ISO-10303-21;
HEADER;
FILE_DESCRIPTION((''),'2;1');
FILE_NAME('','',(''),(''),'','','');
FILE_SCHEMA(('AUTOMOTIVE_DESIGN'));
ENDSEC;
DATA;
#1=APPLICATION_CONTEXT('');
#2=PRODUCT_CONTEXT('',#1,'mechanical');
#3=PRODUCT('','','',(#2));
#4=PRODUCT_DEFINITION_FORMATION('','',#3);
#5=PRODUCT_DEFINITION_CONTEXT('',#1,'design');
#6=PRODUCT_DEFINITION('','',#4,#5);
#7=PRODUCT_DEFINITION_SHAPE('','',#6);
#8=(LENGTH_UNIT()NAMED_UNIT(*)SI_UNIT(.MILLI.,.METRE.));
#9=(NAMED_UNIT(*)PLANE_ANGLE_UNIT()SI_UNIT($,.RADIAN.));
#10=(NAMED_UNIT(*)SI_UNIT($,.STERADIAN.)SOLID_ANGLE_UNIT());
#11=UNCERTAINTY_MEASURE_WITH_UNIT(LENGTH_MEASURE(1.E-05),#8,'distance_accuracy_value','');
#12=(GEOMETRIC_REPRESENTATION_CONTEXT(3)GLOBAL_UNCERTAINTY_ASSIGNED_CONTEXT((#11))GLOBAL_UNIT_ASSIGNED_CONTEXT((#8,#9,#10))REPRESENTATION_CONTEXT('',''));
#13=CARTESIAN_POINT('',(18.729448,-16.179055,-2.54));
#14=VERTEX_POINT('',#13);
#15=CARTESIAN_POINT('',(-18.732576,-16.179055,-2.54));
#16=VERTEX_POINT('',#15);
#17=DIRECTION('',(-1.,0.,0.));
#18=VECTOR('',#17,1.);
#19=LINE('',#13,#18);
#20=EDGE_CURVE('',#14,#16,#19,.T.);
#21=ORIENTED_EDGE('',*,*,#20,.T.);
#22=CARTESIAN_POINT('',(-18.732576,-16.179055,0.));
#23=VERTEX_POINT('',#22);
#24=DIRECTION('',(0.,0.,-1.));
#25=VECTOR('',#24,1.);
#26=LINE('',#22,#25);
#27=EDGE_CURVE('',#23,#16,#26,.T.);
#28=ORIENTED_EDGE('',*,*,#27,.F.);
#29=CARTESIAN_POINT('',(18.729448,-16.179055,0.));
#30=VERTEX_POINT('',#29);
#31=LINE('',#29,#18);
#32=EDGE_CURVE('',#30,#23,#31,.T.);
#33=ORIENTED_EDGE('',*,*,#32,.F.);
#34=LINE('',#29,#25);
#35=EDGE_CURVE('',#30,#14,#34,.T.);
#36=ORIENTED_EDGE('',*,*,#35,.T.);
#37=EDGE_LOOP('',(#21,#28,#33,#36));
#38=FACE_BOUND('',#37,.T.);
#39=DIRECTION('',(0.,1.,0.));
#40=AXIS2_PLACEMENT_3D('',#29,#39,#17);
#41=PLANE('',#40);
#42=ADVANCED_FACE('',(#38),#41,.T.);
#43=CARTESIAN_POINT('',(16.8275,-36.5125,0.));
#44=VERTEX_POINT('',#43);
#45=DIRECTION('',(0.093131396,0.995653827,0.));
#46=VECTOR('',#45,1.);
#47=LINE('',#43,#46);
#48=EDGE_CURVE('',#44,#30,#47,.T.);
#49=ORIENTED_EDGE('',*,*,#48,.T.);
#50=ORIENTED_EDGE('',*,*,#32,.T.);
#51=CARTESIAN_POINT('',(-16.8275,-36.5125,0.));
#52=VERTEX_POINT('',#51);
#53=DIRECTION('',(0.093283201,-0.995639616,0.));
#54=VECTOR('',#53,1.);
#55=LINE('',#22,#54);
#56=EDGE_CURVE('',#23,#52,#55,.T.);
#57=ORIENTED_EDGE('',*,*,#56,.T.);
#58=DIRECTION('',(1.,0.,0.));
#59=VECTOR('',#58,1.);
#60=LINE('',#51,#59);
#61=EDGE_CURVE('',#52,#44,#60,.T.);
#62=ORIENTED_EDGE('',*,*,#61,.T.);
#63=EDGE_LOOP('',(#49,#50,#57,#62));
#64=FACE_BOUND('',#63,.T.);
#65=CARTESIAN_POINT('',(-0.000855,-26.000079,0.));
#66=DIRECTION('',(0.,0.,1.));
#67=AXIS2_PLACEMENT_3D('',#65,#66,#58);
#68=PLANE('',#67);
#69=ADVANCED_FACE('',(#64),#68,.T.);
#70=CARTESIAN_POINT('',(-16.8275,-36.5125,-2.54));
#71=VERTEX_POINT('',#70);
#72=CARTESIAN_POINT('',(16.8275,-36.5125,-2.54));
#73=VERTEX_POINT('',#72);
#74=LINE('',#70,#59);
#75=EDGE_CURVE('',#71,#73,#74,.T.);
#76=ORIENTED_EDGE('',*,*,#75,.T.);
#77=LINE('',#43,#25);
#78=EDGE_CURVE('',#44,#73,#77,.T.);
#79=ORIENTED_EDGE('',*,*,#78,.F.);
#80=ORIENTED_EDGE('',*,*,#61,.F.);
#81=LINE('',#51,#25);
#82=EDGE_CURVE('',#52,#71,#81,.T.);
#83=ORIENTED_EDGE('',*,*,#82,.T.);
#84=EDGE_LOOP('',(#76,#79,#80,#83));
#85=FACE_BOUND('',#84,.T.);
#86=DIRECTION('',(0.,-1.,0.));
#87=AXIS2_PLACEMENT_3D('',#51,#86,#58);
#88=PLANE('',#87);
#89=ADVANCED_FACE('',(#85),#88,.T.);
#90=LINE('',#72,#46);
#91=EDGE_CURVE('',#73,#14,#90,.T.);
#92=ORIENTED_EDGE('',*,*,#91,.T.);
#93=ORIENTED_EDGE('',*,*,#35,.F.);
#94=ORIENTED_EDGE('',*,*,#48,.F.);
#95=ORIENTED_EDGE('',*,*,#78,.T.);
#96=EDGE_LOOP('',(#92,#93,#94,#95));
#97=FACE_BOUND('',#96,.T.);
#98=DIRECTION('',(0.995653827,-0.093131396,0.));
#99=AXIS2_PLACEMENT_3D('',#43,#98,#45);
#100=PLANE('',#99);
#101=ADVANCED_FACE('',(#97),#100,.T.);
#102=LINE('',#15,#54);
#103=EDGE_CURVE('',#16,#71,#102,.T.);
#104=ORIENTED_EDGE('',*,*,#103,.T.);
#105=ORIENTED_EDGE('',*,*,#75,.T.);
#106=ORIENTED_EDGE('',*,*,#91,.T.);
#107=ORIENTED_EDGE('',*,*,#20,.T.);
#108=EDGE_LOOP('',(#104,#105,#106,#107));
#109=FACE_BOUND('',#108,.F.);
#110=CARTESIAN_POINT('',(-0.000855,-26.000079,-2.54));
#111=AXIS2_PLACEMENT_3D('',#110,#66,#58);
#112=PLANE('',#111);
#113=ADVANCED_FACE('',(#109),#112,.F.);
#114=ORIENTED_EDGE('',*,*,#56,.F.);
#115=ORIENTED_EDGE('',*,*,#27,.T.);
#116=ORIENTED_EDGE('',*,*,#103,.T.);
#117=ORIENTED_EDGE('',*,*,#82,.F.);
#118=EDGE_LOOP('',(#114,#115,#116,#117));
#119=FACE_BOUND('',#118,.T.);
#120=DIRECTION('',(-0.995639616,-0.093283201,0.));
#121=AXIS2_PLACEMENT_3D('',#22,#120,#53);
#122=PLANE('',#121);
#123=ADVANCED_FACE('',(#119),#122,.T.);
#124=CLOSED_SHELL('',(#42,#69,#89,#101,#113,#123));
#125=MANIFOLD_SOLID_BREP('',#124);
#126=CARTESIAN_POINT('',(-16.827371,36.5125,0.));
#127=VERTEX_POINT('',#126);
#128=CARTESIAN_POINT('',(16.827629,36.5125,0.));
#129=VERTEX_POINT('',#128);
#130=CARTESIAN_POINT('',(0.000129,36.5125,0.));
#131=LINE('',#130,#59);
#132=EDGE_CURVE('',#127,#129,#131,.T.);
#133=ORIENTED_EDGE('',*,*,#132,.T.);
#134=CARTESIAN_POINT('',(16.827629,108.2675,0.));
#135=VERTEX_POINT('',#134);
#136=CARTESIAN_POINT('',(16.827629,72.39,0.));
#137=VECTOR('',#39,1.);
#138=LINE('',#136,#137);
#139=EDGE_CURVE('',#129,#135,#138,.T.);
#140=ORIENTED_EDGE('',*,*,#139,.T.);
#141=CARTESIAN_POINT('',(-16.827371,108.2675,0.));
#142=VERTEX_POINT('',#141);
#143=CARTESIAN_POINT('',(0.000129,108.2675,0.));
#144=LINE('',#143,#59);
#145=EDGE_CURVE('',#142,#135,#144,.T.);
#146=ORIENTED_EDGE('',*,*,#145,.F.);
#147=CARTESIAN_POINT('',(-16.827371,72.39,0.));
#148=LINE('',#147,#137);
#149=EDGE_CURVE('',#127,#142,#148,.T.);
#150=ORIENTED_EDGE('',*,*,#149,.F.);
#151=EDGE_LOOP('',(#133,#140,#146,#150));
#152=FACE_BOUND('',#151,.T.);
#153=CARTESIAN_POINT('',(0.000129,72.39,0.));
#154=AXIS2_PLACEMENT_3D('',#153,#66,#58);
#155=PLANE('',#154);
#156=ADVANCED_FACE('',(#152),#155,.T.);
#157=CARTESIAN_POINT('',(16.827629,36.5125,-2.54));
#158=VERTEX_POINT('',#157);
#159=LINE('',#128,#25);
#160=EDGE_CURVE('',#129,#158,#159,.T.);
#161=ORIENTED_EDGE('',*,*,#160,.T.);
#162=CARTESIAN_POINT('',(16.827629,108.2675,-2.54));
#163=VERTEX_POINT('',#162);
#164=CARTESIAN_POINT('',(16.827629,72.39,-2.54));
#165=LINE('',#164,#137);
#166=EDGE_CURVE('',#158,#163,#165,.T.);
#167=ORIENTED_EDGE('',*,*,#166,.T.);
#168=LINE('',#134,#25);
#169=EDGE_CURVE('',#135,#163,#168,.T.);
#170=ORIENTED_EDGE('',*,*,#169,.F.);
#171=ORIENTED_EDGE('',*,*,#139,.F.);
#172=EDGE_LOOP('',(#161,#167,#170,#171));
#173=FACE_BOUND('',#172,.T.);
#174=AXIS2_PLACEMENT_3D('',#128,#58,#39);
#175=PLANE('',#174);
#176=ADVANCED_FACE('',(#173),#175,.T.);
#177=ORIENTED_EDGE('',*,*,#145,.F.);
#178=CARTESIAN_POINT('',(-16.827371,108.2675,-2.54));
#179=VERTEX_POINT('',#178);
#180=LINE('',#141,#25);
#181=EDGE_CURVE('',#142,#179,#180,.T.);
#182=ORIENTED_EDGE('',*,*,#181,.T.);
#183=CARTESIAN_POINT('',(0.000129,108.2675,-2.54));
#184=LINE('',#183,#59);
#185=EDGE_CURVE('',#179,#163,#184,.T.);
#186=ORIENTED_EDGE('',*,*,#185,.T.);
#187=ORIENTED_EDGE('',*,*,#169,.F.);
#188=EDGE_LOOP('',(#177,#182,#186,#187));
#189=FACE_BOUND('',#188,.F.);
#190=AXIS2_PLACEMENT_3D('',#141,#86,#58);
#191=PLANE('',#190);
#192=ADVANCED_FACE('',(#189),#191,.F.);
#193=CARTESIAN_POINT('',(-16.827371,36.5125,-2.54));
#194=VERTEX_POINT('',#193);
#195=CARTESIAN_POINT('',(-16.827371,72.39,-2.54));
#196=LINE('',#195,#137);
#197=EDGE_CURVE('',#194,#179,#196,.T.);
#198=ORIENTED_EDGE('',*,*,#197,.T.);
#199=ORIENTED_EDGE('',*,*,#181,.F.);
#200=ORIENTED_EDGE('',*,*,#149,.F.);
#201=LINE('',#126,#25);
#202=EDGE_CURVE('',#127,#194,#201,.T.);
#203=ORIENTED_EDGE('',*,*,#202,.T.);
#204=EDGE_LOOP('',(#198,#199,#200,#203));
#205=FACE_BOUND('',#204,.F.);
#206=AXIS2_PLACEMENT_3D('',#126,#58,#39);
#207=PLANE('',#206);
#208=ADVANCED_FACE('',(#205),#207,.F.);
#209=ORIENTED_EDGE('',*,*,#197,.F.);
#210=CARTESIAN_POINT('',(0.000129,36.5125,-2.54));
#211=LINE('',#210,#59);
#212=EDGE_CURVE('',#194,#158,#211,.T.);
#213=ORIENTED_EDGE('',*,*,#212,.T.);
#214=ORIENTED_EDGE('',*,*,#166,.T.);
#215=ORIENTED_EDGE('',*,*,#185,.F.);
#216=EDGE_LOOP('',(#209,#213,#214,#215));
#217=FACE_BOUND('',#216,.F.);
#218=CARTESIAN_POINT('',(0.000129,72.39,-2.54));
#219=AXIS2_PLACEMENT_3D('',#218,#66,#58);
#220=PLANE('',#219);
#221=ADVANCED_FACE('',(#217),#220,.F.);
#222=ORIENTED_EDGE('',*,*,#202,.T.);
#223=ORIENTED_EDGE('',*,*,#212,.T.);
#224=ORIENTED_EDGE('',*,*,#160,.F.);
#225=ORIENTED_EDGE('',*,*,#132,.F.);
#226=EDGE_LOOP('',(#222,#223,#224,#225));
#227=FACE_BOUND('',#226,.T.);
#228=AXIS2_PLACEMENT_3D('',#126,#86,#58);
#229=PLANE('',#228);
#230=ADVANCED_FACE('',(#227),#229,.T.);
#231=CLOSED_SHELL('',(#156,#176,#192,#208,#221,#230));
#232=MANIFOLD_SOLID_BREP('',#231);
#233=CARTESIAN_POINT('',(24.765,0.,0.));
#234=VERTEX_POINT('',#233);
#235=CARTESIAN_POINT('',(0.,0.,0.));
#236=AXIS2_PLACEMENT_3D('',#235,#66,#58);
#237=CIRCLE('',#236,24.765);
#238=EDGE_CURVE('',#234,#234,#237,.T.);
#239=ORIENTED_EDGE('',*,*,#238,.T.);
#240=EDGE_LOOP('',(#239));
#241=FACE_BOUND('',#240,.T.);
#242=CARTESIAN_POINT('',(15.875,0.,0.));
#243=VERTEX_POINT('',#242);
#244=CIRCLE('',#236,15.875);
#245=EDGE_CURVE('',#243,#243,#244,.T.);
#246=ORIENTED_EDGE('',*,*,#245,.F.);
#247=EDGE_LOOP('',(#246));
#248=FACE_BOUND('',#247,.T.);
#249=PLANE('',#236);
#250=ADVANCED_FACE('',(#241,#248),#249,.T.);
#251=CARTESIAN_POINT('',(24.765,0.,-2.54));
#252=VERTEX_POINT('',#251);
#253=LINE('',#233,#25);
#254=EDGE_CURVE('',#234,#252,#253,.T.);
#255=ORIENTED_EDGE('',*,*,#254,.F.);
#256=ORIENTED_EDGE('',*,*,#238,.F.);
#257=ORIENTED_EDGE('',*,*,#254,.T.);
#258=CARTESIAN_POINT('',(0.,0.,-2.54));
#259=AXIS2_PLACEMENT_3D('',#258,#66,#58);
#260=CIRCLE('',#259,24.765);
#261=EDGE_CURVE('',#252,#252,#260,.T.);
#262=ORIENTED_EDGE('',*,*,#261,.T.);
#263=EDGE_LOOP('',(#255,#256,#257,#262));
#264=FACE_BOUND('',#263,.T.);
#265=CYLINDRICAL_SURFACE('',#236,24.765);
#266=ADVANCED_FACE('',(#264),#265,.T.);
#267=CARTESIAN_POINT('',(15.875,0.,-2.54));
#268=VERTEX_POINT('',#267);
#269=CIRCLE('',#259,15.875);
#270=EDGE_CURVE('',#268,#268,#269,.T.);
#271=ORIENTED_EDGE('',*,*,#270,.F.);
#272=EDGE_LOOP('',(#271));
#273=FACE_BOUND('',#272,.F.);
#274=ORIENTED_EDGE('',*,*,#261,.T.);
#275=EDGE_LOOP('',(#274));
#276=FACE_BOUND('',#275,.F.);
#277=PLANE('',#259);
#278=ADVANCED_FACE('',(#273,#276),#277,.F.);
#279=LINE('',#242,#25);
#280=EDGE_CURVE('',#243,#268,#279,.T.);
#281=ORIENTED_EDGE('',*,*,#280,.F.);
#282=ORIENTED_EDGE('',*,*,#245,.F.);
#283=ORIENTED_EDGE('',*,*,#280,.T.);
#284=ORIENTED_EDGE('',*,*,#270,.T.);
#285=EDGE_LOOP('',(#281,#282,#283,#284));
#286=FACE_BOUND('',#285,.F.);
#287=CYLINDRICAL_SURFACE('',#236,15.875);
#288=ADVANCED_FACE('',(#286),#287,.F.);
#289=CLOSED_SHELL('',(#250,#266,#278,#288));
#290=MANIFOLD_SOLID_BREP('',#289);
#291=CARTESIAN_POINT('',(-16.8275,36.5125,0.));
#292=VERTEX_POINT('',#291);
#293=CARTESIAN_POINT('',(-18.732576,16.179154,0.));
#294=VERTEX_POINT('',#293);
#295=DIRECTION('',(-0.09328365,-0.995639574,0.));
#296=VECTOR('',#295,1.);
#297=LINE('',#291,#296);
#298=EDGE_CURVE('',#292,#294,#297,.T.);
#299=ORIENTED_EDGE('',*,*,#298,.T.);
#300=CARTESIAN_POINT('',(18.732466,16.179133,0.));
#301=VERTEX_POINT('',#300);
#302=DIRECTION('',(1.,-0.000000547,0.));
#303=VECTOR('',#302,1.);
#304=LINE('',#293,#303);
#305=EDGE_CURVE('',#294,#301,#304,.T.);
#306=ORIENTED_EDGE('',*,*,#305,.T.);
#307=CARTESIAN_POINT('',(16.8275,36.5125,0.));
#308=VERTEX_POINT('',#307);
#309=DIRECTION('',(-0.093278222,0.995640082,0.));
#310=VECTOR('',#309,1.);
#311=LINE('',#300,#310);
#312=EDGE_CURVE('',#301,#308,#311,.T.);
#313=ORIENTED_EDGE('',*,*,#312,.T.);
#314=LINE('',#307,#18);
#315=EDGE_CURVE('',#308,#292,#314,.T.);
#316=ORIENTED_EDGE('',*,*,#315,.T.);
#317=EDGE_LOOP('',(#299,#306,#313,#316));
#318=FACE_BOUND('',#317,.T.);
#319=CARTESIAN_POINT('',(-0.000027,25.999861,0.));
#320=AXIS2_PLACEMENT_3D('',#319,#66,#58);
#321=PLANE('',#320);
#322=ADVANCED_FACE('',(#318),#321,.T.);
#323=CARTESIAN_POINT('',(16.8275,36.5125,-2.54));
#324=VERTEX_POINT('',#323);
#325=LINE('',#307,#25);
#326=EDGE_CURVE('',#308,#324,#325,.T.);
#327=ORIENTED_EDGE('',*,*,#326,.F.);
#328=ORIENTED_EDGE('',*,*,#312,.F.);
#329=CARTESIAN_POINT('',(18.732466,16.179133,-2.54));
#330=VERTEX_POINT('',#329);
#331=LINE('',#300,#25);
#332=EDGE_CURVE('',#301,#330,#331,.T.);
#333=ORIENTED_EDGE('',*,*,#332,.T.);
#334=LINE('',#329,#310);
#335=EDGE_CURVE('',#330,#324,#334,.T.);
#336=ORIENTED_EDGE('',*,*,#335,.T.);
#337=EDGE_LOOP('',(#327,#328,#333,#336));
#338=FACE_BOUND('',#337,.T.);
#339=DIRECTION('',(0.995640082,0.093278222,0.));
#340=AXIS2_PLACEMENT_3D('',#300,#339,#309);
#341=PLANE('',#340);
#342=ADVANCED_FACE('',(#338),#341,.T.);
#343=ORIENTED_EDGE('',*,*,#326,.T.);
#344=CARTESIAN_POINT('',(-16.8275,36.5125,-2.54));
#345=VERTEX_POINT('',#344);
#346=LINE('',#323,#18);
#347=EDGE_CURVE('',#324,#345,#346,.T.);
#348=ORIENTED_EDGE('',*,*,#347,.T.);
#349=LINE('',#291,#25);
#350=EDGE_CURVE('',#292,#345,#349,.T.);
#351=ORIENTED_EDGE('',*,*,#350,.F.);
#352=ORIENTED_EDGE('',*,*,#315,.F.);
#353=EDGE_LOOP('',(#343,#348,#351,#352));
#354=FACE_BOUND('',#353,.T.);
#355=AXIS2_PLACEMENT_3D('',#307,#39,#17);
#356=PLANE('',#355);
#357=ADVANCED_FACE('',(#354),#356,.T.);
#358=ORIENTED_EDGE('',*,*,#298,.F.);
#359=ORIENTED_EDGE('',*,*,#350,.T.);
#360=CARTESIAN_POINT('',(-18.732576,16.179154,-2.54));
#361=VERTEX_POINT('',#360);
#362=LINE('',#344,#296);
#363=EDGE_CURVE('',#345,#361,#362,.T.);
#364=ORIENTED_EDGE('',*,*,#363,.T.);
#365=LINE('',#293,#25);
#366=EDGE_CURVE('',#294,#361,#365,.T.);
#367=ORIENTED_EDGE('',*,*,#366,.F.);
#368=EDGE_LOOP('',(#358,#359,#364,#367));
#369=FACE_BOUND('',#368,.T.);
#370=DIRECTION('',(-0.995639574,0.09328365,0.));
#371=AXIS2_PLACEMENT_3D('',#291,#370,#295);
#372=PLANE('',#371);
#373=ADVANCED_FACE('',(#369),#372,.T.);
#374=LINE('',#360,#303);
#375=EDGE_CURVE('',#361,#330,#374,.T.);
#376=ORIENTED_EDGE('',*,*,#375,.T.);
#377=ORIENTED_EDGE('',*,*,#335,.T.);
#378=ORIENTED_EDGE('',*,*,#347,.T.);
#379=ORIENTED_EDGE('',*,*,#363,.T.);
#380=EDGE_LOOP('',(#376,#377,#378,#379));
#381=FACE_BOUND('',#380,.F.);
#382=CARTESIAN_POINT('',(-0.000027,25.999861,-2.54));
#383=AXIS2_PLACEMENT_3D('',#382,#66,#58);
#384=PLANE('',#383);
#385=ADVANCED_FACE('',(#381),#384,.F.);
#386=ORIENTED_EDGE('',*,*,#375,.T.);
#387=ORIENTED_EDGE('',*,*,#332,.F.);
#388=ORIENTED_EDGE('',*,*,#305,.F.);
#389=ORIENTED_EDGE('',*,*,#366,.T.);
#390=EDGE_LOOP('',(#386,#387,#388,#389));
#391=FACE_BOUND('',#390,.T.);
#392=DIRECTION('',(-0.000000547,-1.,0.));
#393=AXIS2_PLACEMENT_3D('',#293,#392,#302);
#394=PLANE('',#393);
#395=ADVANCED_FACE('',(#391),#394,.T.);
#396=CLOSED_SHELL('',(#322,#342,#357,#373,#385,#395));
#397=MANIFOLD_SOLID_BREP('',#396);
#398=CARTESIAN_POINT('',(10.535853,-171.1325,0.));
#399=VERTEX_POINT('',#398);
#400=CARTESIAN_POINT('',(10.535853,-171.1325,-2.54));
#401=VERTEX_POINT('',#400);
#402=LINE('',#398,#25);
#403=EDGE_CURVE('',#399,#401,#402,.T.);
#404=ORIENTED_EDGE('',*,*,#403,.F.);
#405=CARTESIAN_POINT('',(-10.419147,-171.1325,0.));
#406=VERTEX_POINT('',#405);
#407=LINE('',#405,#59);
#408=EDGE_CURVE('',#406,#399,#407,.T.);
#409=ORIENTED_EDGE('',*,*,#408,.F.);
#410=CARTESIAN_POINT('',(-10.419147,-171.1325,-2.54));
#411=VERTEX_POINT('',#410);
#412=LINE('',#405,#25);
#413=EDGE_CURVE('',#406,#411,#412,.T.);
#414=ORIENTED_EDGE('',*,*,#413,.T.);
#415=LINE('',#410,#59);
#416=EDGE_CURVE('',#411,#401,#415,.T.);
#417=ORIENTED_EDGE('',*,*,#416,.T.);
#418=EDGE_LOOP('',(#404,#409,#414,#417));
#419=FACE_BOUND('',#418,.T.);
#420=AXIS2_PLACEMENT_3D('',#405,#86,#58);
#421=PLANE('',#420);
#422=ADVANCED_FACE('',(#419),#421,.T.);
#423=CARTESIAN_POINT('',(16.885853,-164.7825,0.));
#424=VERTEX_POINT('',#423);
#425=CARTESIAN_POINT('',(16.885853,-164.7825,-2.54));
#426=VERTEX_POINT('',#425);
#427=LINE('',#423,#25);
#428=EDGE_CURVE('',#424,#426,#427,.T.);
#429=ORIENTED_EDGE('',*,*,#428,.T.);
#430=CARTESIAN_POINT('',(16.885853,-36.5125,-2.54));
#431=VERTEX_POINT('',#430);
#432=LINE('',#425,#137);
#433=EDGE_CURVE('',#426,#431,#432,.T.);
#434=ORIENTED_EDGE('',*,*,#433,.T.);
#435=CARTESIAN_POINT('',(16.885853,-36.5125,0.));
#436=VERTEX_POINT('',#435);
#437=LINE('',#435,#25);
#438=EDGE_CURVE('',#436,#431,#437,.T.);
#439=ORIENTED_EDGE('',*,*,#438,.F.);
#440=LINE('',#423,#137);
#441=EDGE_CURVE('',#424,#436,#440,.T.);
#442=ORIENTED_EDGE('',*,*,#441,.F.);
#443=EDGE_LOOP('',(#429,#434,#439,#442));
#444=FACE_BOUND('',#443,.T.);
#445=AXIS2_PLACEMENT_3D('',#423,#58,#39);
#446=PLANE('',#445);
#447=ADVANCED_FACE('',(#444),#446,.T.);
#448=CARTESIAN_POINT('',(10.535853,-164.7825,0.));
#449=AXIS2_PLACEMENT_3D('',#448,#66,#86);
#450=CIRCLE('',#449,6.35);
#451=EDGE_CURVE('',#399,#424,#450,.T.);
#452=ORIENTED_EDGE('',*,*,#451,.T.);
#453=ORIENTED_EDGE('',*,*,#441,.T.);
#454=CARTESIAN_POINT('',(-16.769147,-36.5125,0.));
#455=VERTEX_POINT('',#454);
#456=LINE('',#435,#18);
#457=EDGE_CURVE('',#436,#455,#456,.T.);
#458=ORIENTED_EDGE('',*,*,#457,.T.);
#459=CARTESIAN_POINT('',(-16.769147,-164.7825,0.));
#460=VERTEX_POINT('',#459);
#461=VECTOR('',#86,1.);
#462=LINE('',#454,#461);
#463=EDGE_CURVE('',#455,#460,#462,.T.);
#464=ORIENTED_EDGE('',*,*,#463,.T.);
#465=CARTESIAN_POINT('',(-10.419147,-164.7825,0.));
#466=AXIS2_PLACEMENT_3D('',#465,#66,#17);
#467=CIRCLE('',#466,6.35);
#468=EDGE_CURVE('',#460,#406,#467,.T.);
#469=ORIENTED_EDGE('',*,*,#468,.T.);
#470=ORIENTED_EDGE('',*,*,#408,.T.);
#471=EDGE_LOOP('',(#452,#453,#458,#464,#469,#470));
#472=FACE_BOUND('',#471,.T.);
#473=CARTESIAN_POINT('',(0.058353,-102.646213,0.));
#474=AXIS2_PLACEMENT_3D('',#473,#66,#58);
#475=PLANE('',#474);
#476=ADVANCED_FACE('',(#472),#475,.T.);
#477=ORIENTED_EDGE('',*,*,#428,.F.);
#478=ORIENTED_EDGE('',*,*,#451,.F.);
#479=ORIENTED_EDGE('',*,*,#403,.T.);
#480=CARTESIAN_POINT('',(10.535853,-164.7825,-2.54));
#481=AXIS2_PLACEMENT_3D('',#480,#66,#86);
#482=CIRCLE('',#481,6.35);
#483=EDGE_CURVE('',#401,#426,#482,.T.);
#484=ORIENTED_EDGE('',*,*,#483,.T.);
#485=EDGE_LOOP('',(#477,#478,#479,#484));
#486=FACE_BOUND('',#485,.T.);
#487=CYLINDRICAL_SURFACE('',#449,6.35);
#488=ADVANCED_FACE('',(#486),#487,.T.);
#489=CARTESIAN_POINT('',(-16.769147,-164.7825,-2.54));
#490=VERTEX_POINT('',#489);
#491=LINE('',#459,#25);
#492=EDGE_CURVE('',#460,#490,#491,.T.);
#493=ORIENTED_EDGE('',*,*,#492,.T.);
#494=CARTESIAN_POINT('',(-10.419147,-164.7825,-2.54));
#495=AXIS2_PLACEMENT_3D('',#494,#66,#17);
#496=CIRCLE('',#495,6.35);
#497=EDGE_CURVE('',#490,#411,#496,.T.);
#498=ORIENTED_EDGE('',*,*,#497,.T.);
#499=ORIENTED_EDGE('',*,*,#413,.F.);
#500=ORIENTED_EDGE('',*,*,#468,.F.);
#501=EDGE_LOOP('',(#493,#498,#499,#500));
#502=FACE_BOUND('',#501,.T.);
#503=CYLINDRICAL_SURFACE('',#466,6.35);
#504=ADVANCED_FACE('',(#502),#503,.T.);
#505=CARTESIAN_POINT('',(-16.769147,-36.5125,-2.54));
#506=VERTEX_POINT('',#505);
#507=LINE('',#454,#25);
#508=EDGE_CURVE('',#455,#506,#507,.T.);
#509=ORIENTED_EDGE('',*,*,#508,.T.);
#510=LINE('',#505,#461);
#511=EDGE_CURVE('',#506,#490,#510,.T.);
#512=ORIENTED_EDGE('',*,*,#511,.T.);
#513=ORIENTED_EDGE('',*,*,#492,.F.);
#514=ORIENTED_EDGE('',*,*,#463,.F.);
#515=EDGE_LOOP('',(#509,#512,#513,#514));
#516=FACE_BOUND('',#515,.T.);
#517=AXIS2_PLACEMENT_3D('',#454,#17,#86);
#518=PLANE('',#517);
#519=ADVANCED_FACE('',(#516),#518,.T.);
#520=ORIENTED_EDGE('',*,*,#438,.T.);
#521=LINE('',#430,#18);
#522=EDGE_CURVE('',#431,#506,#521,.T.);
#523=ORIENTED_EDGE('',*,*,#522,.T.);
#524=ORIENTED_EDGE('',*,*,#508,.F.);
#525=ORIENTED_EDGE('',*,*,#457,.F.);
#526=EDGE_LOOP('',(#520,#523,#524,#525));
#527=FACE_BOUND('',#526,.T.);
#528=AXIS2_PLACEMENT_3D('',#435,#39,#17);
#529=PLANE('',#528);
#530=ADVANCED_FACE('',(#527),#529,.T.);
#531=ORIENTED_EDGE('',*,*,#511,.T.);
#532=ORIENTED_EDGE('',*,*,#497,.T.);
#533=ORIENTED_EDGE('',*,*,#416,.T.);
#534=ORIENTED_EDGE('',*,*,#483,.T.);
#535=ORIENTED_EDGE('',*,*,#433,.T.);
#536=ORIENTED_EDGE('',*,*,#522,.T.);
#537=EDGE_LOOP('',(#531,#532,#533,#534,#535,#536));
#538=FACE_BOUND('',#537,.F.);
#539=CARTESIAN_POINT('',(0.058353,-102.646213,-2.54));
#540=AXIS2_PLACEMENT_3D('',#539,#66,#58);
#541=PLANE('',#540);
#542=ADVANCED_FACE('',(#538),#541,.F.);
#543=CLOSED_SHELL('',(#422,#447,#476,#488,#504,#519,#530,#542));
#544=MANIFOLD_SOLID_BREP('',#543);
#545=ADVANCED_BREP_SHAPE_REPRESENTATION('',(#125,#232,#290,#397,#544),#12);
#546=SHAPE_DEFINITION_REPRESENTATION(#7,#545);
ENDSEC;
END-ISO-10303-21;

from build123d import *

# Parameters (mm, degrees)
F0_R     = 24.765
F0_R_2   = 15.875
F6_DEPTH = 2.54
F5_W     = 33.655
F5_H     = 71.755


with BuildPart() as f6:
    # F0 (on Top) → F6 (new body)
    with BuildSketch(Plane.XY):
        Circle(F0_R)
        Circle(F0_R_2, mode=Mode.SUBTRACT)
    extrude(amount=-F6_DEPTH)


with BuildPart() as f6b:
    # F3 (on Top) → F6, piece 2 (new body)
    with BuildSketch(Plane.XY):
        Polygon((18.7294483185, -16.1790549755), (-18.7325756997, -16.1790549755), (-16.8275, -36.5125), (16.8275, -36.5125), align=None)
    extrude(amount=-F6_DEPTH)


with BuildPart() as f6c:
    # F3 (on Top) → F6, piece 3 (new body)
    with BuildSketch(Plane.XY):
        Polygon((-16.8275, 36.5125), (-18.7325756997, 16.1791536957), (18.7324658036, 16.1791332066), (16.8275, 36.5125), align=None)
    extrude(amount=-F6_DEPTH)


with BuildPart() as f6d:
    # F4 (on Top) → F6, piece 4 (new body)
    with BuildSketch(Plane.XY):
        with BuildLine():
            Line((16.8858534533, -36.5125), (-16.7691465467, -36.5125))
            Line((-16.7691465467, -36.5125), (-16.7691465467, -164.7825))
            ThreePointArc((-16.7691465467, -164.7825), (-14.9092746073, -169.2726280605), (-10.4191465467, -171.1325))
            Line((-10.4191465467, -171.1325), (10.5358534533, -171.1325))
            ThreePointArc((10.5358534533, -171.1325), (15.0259815138, -169.2726280605), (16.8858534533, -164.7825))
            Line((16.8858534533, -164.7825), (16.8858534533, -36.5125))
        make_face()
    extrude(amount=-F6_DEPTH)


with BuildPart() as f6e:
    # F5 (on Top) → F6, piece 5 (new body)
    with BuildSketch(Plane.XY):
        with Locations((0.0001290286, 72.39)):
            Rectangle(F5_W, F5_H)
    extrude(amount=-F6_DEPTH)


solid = Compound([f6.part, f6b.part, f6c.part, f6d.part, f6e.part])
